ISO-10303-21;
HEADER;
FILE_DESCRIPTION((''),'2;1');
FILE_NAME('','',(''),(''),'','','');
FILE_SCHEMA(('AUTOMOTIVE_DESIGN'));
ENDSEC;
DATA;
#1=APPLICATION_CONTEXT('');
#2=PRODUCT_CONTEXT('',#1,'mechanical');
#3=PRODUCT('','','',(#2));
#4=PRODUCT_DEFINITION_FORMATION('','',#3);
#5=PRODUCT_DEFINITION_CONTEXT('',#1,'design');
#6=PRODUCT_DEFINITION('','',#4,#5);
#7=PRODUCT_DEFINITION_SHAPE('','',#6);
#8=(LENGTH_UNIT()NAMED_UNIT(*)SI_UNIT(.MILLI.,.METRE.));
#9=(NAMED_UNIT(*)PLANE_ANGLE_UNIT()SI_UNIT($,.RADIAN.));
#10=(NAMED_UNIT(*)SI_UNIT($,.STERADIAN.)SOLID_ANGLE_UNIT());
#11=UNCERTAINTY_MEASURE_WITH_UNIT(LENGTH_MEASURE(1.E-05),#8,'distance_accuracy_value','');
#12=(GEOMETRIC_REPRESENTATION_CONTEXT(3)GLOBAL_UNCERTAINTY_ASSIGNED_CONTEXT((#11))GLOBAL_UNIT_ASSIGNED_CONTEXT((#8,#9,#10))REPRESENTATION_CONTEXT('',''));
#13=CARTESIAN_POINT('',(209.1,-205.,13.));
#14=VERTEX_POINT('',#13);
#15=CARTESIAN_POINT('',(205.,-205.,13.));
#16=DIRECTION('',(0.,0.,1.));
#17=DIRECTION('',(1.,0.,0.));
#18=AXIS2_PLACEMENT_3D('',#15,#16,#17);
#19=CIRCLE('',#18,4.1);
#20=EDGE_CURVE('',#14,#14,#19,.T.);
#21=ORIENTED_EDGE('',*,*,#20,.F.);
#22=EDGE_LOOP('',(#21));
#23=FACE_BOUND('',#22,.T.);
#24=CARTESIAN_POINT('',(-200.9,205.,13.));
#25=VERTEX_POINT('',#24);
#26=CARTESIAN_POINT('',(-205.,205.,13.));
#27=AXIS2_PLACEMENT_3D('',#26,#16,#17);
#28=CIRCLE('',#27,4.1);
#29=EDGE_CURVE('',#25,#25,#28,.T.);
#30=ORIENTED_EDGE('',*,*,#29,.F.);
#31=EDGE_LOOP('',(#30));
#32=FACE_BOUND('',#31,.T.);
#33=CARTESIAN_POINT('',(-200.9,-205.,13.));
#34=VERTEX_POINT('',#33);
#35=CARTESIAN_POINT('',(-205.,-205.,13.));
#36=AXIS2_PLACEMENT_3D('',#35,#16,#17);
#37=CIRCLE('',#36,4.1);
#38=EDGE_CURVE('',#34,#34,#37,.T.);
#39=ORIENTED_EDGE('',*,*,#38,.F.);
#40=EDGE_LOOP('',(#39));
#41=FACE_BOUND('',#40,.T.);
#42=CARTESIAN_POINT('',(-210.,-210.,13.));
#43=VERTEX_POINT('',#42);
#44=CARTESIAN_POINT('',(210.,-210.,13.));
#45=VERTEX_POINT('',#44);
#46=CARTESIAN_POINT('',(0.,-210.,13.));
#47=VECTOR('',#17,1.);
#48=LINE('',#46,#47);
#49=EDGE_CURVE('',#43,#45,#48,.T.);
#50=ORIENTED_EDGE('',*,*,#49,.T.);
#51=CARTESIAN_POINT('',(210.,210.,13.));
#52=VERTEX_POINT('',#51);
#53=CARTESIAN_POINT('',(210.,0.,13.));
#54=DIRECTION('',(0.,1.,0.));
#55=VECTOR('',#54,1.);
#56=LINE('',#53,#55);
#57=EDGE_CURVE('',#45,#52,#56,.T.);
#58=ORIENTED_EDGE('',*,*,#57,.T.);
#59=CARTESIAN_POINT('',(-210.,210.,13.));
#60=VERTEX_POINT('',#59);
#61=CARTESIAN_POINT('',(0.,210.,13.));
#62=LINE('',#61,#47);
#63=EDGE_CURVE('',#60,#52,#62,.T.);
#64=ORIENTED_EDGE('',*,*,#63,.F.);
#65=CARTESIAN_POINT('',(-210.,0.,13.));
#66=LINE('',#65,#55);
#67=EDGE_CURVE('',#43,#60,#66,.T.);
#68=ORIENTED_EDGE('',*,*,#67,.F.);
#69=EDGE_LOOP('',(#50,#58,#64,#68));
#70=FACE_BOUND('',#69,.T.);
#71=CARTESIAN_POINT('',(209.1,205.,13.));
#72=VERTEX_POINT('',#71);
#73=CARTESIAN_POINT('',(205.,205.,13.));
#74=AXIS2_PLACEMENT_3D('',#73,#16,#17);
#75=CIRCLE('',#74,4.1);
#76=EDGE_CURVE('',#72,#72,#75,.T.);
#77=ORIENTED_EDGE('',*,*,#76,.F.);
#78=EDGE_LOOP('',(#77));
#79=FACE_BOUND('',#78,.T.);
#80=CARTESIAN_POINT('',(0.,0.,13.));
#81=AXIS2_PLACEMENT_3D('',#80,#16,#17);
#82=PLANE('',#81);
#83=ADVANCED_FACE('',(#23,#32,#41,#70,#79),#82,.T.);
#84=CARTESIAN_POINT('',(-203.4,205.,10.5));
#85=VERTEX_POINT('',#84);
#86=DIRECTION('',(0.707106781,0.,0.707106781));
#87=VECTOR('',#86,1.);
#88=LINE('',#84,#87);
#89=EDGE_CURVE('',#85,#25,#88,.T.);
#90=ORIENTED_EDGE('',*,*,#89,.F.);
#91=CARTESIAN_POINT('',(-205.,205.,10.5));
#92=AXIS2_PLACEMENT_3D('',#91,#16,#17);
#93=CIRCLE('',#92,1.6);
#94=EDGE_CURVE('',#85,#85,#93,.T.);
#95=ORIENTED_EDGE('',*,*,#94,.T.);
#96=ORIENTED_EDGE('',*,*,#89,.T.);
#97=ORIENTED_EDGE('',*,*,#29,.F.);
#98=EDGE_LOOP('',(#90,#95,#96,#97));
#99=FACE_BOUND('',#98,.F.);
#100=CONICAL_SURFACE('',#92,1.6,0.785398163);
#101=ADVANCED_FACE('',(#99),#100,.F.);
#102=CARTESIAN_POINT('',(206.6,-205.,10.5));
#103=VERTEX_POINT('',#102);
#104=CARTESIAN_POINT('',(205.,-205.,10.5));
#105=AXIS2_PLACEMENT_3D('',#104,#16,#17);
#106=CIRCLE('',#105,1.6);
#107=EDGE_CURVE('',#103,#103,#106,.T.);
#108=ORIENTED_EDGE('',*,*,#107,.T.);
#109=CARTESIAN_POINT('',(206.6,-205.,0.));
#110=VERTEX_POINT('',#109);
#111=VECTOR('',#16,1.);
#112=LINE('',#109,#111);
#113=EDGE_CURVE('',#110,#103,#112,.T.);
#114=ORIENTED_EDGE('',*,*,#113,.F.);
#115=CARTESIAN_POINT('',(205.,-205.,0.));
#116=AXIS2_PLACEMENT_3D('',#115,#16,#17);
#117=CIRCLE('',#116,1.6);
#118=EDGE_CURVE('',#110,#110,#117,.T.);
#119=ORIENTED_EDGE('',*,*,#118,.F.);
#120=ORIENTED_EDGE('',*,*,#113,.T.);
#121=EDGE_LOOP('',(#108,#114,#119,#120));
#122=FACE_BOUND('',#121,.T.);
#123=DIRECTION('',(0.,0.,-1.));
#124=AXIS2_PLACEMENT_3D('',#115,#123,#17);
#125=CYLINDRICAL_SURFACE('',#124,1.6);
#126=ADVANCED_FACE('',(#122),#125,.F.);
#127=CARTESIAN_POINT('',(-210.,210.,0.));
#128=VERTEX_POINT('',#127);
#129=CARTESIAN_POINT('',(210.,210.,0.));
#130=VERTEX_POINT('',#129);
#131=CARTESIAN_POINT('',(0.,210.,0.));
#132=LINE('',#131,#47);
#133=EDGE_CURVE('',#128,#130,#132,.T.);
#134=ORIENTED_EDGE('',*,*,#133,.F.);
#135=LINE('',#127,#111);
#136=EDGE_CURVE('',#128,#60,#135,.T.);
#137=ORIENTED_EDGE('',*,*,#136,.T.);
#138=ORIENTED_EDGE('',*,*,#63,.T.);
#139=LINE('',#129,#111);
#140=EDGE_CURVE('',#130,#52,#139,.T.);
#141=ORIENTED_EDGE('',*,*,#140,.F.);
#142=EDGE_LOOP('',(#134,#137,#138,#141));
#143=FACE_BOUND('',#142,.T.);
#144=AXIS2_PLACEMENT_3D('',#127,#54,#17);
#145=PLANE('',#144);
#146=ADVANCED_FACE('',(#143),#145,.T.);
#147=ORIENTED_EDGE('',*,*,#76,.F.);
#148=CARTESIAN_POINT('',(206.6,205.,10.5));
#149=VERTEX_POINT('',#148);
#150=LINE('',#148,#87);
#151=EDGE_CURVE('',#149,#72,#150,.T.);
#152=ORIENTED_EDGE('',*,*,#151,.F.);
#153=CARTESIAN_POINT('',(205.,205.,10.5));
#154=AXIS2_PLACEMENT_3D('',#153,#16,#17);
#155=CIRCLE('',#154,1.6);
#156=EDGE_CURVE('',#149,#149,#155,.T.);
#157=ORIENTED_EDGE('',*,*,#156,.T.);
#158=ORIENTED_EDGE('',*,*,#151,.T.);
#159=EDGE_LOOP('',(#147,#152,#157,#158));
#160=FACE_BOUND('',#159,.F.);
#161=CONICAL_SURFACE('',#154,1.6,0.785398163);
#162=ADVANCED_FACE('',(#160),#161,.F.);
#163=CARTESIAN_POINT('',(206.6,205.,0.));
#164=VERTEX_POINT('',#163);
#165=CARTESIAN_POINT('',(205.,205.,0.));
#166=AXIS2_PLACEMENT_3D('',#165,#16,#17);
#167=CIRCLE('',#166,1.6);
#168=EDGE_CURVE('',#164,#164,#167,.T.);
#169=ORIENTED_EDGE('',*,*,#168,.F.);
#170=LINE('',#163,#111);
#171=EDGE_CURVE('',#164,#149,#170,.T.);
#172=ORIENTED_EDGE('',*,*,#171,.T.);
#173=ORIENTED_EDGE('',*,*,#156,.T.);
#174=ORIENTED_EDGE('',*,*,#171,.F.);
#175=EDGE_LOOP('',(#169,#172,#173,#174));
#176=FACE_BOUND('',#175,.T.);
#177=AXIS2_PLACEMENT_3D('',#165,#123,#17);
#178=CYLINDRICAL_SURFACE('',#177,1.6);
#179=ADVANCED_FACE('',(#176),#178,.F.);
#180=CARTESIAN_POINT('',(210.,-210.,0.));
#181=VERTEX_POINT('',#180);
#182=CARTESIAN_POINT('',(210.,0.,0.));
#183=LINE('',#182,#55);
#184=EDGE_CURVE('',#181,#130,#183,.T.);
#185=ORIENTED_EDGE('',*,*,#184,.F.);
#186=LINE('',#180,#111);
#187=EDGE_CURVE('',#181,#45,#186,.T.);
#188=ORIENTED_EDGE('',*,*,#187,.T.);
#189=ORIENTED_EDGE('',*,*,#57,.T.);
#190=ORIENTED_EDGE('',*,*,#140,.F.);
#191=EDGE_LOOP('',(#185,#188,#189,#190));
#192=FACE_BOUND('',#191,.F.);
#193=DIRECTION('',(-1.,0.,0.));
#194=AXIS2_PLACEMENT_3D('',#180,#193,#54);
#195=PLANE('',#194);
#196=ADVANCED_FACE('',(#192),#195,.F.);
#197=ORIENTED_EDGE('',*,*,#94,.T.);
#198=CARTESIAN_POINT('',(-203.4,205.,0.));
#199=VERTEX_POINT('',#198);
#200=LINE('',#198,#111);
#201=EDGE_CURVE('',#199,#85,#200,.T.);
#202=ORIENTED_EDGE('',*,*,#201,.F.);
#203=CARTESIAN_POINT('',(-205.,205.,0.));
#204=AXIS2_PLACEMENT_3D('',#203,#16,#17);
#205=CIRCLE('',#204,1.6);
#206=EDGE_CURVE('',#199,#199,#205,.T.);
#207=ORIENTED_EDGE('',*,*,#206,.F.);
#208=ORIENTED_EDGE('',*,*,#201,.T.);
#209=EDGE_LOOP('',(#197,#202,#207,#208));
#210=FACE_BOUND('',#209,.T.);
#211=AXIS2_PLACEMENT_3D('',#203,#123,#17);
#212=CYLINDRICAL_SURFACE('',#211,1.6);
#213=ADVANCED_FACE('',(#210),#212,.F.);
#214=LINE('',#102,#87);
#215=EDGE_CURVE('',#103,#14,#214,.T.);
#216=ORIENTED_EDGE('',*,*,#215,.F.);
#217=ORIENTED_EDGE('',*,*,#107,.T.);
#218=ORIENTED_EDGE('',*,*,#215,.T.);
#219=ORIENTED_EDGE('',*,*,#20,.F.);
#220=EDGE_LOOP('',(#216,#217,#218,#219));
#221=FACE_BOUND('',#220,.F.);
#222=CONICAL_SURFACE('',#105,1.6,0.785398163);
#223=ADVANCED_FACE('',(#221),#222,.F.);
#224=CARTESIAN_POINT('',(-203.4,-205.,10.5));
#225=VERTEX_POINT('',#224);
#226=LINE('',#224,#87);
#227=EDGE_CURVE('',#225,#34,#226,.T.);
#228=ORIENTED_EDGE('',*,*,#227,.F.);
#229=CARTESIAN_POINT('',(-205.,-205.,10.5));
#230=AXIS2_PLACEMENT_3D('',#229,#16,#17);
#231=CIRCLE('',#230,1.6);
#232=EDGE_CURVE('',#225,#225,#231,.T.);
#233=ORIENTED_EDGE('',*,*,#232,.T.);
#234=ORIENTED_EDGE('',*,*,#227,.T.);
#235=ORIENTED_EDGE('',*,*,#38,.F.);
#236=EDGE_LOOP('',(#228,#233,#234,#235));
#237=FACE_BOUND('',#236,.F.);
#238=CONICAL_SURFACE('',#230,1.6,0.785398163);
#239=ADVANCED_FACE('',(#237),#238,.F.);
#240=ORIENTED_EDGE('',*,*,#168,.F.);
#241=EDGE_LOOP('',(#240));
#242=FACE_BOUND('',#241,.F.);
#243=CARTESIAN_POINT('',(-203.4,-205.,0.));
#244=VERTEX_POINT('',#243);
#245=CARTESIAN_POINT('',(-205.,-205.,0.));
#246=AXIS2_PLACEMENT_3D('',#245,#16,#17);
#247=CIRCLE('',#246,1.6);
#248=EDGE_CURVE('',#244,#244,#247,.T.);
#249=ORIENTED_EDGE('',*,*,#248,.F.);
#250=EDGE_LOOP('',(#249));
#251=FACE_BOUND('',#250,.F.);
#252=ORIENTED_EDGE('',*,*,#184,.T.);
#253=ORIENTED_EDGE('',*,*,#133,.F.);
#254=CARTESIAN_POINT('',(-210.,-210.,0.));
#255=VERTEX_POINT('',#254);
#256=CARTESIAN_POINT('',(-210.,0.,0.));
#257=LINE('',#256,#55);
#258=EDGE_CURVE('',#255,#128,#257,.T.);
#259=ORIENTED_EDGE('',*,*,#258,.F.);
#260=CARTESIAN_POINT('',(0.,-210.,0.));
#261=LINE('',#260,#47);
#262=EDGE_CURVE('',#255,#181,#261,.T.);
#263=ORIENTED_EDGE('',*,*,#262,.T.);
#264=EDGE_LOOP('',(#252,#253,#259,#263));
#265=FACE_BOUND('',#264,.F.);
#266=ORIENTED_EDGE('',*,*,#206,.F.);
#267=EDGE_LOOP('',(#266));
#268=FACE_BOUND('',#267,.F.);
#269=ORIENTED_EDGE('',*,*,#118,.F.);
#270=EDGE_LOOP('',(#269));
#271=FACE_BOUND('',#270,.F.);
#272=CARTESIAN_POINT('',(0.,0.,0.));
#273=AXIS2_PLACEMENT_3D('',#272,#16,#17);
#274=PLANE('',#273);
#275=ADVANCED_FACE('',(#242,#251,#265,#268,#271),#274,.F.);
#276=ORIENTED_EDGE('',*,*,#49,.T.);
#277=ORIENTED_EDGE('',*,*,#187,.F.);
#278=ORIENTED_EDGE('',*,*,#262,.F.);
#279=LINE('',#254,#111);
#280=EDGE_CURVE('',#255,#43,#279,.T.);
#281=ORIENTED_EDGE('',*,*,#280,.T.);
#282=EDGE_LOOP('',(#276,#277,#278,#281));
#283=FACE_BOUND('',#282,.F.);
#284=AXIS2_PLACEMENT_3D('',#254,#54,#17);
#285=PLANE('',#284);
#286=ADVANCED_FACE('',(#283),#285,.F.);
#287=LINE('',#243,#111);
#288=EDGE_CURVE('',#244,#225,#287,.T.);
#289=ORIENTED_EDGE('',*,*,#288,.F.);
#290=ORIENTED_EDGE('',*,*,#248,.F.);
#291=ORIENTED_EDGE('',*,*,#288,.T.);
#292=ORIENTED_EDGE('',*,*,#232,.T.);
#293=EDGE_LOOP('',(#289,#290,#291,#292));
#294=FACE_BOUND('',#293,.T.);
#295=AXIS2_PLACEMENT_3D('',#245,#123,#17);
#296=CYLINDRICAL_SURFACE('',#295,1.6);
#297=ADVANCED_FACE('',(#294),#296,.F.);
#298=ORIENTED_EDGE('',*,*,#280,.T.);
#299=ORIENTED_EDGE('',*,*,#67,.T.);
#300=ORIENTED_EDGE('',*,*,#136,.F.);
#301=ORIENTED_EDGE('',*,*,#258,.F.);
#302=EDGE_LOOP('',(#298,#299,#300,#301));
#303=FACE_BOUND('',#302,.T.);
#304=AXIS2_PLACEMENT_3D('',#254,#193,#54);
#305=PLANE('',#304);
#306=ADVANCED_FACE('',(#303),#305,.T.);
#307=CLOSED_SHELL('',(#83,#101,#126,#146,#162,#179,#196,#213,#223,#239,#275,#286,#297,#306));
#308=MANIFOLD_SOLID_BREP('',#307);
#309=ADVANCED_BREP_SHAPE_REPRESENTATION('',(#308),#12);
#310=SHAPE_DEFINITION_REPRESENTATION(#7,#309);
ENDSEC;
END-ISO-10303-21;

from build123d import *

# Parameters (mm, degrees)
F0_W     = 420
F0_H     = 420
F0_R     = 1.6
F1_DEPTH = 13
F2_SIZE  = 2.5


with BuildPart() as f1:
    # F0 (on Top) → F1 (new body)
    with BuildSketch(Plane.XY):
        Rectangle(F0_W, F0_H)
        with Locations((-205, -205)):
            Circle(F0_R, mode=Mode.SUBTRACT)
        with Locations((205, -205)):
            Circle(F0_R, mode=Mode.SUBTRACT)
        with Locations((-205, 205)):
            Circle(F0_R, mode=Mode.SUBTRACT)
        with Locations((205, 205)):
            Circle(F0_R, mode=Mode.SUBTRACT)
    extrude(amount=F1_DEPTH)

    # F2
    f2_edges = [f1.edges().sort_by_distance(p)[0] for p in [
        (203.4, 205, 13),
        (203.4, -205, 13),
        (-206.6, -205, 13),
        (-206.6, 205, 13),
    ]]
    chamfer(f2_edges, length=F2_SIZE)


solid = f1.part
